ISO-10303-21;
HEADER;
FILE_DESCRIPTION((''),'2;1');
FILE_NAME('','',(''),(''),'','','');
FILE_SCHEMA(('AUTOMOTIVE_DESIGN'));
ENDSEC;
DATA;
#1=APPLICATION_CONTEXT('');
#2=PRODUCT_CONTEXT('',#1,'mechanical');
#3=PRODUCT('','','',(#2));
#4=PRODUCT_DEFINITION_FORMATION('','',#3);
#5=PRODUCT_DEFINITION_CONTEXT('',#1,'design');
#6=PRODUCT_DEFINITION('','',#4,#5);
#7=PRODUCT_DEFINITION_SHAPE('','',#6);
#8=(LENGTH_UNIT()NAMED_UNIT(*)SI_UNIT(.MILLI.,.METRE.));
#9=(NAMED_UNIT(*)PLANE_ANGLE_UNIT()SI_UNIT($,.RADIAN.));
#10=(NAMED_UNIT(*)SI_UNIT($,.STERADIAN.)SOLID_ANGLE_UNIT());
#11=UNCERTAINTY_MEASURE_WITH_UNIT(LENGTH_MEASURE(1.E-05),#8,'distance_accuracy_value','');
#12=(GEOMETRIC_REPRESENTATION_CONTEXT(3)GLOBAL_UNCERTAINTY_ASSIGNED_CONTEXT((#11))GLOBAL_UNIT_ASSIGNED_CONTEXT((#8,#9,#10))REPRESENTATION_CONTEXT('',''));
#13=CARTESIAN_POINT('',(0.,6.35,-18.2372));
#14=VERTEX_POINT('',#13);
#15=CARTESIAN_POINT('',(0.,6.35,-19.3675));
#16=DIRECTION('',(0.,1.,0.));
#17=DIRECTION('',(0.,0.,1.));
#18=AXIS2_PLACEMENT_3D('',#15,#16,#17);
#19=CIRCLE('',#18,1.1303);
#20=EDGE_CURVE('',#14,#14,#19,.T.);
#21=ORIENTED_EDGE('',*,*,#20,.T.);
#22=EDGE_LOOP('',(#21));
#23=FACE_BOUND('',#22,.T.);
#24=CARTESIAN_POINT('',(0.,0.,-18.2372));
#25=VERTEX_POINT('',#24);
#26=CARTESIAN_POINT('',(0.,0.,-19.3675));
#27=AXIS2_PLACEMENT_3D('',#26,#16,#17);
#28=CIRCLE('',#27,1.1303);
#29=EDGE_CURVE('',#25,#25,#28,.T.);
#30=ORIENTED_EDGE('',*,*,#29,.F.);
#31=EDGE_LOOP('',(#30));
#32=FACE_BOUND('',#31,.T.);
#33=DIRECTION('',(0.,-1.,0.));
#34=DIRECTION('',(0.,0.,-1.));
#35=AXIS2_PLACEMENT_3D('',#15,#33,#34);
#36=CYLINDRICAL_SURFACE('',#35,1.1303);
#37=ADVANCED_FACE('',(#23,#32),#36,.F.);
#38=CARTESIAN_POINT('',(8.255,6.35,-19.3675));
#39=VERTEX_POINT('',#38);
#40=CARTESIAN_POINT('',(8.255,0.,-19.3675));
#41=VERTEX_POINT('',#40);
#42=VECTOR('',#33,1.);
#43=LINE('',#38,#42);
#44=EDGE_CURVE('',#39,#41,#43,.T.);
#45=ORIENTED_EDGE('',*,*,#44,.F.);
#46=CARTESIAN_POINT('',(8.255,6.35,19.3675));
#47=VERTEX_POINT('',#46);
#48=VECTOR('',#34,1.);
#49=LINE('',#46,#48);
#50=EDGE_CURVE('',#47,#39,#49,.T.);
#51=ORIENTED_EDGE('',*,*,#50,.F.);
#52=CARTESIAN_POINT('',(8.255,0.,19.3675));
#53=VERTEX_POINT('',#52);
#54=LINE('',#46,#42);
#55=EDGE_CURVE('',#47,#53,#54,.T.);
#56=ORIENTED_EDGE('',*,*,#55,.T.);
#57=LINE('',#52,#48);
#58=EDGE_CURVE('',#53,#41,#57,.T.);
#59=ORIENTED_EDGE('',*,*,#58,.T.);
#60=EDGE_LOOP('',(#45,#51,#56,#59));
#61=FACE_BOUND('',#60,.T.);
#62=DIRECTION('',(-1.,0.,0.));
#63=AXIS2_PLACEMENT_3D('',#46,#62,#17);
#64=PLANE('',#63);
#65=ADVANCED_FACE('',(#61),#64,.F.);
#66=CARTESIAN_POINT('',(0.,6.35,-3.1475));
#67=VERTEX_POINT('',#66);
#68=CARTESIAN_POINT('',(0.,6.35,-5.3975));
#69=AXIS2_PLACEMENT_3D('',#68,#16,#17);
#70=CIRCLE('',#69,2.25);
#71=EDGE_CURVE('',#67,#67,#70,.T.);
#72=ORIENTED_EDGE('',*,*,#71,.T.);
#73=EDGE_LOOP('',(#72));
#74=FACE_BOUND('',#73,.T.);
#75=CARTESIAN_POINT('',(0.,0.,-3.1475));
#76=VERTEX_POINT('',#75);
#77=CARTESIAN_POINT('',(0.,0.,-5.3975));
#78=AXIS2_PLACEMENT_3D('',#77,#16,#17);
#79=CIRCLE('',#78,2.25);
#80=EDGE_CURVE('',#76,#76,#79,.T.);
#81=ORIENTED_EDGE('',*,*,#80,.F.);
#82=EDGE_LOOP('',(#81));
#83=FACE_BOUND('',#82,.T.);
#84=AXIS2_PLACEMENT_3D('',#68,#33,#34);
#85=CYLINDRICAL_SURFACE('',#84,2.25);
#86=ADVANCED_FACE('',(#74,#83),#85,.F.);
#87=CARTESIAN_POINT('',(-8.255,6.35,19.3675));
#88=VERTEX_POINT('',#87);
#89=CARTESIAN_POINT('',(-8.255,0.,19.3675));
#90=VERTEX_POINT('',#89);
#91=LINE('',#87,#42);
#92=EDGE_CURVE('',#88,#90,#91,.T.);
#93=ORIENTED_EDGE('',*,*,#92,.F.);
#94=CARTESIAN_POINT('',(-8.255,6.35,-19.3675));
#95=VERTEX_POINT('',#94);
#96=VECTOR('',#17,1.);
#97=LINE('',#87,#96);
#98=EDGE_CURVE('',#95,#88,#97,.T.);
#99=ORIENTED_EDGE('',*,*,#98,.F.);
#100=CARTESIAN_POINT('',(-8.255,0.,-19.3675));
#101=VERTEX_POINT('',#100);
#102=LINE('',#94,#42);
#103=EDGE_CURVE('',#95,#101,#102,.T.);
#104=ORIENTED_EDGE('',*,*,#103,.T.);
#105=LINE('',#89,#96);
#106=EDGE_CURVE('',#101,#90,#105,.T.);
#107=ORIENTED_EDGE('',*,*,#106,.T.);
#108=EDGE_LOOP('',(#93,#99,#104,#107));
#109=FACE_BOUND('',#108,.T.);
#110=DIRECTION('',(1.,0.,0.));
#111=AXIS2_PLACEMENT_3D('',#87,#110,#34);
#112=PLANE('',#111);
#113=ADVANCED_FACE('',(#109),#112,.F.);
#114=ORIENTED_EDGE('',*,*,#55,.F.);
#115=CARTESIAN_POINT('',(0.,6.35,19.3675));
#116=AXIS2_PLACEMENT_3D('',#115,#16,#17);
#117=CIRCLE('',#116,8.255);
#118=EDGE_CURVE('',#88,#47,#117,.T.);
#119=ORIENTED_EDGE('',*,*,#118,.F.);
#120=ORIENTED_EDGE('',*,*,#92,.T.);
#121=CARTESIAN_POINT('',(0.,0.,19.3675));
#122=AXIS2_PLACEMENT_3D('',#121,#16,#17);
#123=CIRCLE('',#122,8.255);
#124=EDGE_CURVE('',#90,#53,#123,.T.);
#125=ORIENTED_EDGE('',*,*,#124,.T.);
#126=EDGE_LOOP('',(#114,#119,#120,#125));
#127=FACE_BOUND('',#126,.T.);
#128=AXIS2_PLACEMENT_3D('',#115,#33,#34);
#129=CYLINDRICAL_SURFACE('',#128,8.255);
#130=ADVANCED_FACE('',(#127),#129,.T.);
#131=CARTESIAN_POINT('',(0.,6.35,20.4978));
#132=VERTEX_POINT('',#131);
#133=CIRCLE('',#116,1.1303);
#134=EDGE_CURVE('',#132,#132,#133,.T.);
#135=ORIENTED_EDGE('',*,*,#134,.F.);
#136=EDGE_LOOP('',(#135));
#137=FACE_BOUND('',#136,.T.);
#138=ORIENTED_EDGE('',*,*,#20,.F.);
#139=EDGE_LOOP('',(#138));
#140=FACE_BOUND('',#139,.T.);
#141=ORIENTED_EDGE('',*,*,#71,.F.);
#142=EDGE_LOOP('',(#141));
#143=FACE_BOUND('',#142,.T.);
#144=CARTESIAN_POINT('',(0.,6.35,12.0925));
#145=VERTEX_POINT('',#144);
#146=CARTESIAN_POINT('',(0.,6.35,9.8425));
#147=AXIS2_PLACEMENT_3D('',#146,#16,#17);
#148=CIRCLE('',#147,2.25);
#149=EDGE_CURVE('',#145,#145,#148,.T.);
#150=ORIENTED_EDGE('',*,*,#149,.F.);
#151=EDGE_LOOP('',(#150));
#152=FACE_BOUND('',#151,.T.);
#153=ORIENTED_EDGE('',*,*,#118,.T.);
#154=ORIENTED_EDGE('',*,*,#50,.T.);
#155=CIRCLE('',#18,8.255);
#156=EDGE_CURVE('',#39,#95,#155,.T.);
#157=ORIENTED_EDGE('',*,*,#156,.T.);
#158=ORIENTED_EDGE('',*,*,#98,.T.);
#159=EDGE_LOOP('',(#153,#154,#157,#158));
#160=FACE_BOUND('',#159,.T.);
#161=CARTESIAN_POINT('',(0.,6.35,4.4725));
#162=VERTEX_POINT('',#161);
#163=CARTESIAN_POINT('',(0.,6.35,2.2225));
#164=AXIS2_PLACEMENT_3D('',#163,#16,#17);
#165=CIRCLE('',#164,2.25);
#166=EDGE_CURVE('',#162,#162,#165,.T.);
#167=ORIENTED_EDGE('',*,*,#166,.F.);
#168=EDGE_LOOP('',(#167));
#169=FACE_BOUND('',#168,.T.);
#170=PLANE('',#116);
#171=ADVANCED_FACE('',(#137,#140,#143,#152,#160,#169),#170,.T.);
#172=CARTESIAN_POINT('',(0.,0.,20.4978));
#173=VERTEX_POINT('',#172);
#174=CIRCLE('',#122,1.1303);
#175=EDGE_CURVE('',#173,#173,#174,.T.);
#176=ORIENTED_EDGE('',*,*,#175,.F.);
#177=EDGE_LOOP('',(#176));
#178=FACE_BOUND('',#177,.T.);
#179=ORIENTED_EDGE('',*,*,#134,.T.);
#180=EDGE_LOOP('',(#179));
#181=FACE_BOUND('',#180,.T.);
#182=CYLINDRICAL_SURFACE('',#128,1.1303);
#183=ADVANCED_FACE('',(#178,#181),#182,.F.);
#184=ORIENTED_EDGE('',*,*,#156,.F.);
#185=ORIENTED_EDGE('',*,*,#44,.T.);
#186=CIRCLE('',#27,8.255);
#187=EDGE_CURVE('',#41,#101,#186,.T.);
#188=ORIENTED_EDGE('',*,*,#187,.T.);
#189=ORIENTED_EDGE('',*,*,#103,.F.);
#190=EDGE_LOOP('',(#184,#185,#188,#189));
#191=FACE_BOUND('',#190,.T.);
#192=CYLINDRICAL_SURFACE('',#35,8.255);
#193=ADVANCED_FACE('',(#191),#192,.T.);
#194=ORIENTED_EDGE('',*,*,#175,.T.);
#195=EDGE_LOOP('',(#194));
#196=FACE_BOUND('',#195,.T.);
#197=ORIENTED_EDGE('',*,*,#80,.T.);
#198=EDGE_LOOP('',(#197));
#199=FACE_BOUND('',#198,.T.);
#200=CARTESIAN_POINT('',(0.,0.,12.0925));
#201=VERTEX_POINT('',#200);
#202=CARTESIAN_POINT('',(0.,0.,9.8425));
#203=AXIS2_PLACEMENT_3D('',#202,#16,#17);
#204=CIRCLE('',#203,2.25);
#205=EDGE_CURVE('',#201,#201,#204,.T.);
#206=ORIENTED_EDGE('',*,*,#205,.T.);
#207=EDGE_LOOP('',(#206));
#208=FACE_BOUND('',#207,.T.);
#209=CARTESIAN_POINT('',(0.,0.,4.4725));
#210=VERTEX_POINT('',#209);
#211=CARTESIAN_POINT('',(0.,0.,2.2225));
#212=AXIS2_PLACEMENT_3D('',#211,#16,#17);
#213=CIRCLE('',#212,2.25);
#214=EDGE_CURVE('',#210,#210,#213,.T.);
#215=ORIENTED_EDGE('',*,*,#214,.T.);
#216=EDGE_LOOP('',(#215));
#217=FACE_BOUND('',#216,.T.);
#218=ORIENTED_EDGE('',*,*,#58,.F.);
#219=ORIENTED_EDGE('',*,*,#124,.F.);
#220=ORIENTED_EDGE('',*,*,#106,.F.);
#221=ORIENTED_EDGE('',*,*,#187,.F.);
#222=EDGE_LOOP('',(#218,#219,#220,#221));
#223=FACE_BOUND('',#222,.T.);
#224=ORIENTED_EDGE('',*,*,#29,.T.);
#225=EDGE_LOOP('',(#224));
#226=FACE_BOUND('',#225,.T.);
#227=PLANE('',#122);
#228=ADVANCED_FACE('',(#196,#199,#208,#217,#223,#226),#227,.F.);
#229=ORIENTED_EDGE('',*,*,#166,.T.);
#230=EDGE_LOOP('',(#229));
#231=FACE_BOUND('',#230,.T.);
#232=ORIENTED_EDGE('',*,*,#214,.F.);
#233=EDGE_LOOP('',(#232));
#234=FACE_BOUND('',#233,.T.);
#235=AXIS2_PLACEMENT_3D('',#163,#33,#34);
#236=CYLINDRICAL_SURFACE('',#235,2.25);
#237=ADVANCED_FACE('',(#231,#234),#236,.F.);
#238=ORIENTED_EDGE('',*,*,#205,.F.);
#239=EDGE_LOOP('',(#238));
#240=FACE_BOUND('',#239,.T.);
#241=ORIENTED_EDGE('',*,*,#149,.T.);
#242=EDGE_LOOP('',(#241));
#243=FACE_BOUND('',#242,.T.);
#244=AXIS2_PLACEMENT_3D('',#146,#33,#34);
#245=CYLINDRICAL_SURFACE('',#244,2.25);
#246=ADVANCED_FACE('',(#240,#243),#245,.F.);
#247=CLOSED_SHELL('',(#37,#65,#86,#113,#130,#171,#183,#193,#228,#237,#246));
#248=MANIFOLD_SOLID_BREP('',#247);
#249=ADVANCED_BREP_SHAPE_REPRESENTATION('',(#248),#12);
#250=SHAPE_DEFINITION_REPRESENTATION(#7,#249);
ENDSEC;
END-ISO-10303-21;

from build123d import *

# Parameters (mm, degrees)
SKETCH1_R           = 1.1303
SKETCH1_R_2         = 2.25
BOSS_EXTRUDE1_DEPTH = 6.35


with BuildPart() as part:
    # Sketch1 → Boss-Extrude1 (new body)
    with BuildSketch(Plane(origin=(0, 0, 0), x_dir=(1, 0, 0), z_dir=(0, 1, 0))):
        with BuildLine():
            Line((-8.255, -19.3675), (-8.255, 19.3675))
            ThreePointArc((-8.255, 19.3675), (0, 27.6225), (8.255, 19.3675))
            Line((8.255, 19.3675), (8.255, -19.3675))
            ThreePointArc((8.255, -19.3675), (0, -27.6225), (-8.255, -19.3675))
        make_face()
        with Locations(Location((0, 19.3675, 0), (0, 0, 270))):
            Circle(SKETCH1_R, mode=Mode.SUBTRACT)
        with Locations(Location((0, -19.3675, 0), (0, 0, 270))):
            Circle(SKETCH1_R, mode=Mode.SUBTRACT)
        with Locations(Location((0, -9.8425, 0), (0, 0, 270))):
            Circle(SKETCH1_R_2, mode=Mode.SUBTRACT)
        with Locations(Location((0, -2.2225, 0), (0, 0, 270))):
            Circle(SKETCH1_R_2, mode=Mode.SUBTRACT)
        with Locations(Location((0, 5.3975, 0), (0, 0, 270))):
            Circle(SKETCH1_R_2, mode=Mode.SUBTRACT)
    extrude(amount=BOSS_EXTRUDE1_DEPTH)


solid = part.part
